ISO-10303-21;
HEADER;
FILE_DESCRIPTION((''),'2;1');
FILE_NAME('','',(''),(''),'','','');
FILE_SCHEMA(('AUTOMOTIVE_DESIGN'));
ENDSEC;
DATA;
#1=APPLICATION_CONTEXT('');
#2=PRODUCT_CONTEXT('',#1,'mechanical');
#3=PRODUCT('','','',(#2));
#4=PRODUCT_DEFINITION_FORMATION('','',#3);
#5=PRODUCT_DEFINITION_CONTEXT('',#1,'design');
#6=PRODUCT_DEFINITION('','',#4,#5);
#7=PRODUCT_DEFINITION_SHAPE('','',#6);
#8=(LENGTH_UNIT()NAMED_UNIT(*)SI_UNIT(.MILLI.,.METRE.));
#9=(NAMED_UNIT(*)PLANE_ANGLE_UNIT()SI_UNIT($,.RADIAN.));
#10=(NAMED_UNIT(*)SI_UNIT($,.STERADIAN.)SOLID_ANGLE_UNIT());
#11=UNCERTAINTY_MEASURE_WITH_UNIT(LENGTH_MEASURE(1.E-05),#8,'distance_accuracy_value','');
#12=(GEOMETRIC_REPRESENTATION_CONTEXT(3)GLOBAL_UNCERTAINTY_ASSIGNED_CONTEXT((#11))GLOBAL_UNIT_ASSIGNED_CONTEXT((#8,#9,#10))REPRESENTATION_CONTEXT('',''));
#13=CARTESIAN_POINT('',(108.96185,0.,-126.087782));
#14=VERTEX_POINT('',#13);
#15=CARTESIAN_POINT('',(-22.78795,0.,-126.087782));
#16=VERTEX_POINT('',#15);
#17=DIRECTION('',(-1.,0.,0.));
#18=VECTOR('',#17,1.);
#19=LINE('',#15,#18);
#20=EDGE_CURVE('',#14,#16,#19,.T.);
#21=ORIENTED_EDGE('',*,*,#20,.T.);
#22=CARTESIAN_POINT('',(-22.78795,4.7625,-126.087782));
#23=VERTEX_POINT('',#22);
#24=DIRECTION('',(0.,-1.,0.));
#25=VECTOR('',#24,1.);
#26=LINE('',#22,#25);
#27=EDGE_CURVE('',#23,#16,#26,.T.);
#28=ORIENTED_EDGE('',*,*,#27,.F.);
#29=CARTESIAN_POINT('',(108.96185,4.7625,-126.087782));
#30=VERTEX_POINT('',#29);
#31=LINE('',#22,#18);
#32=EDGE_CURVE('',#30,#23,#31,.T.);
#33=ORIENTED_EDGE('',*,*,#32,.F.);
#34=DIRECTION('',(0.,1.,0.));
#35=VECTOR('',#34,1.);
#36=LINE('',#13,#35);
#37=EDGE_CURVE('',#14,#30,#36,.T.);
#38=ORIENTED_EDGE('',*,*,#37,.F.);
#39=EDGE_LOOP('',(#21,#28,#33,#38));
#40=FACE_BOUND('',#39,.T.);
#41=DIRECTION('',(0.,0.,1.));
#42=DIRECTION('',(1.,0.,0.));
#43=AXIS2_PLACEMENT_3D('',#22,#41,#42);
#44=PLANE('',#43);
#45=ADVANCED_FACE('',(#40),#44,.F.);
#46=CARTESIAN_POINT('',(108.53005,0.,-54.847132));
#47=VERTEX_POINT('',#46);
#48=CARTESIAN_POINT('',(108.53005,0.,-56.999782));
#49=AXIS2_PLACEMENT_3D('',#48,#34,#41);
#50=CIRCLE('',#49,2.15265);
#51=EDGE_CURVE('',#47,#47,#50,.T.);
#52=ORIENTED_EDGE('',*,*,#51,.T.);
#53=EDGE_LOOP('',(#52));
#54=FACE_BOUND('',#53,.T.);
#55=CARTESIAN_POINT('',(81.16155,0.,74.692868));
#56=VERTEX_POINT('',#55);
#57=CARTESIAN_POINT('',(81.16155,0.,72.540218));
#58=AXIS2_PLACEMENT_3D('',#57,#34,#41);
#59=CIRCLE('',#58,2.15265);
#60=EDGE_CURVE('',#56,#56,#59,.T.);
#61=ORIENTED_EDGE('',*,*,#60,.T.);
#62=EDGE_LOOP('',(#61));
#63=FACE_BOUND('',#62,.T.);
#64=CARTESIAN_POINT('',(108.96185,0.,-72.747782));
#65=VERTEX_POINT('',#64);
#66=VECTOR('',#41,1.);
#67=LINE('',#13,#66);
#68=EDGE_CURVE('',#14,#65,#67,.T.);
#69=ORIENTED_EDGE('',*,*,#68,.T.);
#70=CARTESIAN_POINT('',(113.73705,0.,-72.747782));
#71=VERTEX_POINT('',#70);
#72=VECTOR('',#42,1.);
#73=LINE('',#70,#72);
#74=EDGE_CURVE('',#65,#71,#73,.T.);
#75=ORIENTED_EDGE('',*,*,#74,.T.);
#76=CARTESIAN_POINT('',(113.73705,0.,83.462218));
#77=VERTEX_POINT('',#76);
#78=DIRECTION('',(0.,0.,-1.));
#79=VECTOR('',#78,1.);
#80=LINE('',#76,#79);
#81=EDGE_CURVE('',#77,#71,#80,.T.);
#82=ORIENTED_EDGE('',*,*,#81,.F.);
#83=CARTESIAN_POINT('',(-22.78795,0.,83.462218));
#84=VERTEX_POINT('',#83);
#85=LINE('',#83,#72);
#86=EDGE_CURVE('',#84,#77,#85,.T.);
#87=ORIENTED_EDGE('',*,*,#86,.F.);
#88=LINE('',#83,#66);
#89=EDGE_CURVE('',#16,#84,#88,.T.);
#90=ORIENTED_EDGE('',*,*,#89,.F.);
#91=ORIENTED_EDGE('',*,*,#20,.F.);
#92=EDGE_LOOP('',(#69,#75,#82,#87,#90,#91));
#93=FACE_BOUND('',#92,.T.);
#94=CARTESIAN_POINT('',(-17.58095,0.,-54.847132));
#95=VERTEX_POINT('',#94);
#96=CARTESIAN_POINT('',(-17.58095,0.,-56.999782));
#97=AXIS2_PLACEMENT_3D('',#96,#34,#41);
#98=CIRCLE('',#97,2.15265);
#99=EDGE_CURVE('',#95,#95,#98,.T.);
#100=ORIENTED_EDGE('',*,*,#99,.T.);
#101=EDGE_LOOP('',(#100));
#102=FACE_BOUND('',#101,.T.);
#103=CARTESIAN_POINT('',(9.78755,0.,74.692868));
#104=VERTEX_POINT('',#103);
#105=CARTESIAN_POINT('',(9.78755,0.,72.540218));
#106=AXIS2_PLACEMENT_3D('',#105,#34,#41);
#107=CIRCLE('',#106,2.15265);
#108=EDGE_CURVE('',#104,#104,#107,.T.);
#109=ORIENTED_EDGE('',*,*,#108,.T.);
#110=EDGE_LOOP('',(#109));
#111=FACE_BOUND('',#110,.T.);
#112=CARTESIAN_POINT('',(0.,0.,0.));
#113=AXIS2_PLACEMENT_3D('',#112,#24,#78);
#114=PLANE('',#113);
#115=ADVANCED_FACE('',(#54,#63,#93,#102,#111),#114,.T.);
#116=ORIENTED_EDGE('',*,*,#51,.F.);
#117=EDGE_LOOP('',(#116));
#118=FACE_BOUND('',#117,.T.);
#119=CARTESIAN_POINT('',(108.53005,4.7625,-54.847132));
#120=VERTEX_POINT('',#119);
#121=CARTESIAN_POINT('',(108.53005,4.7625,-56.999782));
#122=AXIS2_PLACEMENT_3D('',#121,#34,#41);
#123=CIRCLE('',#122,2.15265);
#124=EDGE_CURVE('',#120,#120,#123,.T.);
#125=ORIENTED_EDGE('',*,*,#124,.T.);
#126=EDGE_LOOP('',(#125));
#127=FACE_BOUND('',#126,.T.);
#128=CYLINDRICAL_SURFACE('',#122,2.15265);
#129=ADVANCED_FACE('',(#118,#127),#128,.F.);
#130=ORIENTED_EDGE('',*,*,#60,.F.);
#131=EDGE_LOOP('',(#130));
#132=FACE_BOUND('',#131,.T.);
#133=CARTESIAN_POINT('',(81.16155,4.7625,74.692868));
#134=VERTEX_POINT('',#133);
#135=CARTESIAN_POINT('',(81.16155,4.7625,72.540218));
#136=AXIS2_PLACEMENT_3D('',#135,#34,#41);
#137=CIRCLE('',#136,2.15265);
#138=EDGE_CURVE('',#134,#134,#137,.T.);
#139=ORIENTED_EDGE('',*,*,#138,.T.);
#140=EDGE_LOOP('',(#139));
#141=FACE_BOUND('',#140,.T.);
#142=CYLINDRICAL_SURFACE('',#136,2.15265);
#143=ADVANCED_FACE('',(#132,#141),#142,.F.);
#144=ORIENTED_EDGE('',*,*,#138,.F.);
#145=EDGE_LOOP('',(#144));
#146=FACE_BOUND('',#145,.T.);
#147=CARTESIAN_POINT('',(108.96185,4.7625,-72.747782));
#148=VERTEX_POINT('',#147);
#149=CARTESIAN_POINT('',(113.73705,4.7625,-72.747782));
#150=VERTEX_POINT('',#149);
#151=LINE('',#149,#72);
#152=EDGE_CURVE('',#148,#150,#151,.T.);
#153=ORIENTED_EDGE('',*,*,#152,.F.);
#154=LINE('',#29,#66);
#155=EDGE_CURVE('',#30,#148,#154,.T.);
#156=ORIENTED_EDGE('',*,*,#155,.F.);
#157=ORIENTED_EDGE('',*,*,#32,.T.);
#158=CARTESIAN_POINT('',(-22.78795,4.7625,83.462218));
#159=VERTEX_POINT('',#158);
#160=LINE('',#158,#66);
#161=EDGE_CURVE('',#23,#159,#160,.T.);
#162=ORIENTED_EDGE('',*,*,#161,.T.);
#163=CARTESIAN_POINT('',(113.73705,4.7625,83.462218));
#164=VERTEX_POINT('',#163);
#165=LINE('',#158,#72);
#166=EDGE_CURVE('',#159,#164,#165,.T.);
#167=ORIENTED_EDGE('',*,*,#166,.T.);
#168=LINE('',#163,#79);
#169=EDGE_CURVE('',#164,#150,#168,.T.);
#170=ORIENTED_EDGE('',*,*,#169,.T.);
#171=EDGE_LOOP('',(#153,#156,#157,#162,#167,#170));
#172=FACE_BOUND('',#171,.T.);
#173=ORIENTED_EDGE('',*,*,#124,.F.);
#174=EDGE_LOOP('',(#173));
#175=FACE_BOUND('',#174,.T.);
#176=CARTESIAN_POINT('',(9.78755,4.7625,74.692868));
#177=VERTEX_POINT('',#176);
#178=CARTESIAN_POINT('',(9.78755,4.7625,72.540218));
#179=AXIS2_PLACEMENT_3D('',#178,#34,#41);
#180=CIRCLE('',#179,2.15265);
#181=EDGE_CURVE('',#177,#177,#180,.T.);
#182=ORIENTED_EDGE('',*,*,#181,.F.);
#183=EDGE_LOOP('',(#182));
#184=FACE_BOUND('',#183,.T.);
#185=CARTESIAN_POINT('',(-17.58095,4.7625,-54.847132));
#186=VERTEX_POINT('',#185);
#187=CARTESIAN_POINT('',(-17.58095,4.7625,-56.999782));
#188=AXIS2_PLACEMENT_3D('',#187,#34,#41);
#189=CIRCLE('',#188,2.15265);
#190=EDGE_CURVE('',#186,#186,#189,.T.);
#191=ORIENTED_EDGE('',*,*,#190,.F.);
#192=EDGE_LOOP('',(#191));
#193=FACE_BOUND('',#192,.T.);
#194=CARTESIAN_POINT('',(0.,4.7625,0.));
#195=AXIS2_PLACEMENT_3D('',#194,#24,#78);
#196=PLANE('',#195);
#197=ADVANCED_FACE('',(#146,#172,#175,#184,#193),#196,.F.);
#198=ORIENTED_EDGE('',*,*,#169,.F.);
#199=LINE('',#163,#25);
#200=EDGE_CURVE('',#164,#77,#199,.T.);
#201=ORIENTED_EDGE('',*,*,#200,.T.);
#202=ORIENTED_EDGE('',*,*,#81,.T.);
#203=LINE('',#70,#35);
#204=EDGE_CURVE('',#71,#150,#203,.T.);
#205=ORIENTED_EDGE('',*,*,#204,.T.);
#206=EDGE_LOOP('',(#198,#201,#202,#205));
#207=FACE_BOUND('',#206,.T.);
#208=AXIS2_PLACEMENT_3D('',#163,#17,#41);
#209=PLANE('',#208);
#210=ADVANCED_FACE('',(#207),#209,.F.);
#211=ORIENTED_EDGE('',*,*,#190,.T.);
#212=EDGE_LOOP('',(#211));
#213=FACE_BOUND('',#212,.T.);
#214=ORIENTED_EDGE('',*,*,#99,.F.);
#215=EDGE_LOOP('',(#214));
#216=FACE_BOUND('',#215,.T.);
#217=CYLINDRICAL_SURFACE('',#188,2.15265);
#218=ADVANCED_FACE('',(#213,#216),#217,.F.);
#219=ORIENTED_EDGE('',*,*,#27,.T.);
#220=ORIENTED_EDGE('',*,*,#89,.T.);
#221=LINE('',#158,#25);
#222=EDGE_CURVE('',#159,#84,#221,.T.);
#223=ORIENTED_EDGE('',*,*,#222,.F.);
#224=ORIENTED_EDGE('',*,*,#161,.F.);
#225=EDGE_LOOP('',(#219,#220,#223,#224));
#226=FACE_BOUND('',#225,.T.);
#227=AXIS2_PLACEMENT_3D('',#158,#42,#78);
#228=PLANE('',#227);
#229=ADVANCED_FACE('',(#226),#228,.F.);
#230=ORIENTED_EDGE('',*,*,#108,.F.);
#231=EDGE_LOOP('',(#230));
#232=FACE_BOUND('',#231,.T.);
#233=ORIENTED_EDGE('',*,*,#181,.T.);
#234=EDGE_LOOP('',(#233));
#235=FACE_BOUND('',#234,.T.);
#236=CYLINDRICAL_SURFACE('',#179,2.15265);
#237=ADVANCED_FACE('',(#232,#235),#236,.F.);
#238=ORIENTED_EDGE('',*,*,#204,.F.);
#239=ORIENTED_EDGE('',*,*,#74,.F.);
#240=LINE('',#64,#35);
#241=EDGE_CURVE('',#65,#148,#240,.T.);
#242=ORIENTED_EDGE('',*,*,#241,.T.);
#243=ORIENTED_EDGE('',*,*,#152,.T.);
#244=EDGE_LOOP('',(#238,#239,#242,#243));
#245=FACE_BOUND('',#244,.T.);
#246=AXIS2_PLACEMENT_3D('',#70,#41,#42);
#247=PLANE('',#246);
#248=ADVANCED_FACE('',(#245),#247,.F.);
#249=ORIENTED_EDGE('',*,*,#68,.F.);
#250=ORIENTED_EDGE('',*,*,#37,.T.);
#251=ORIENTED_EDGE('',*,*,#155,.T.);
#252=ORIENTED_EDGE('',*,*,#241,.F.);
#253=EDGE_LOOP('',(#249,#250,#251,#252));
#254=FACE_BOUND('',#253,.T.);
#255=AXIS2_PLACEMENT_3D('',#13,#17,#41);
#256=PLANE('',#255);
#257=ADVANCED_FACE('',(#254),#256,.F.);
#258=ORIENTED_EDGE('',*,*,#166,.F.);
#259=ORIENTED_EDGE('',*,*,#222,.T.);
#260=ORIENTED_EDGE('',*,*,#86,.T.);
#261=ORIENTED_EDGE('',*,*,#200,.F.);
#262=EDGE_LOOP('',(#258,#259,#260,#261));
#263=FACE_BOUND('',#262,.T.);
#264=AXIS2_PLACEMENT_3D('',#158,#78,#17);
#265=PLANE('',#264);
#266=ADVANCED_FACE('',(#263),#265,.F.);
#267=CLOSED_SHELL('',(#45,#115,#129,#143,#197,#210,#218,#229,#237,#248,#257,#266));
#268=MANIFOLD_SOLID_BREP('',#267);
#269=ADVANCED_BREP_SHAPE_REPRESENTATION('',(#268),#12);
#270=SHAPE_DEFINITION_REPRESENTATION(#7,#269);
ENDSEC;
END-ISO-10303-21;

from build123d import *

# Parameters (mm, degrees)
SKETCH1_W             = 136.525
SKETCH1_H             = 209.55
BOSS_EXTRUDE1_DEPTH   = 4.7625
SKETCH2_W             = 4.7752
SKETCH2_H             = 53.34
CUT_EXTRUDE1_DEPTH    = 170.873266436
F_8_CLEARANCE_HOLE1_D = 4.3053


with BuildPart() as part:
    # Sketch1 → Boss-Extrude1 (new body)
    with BuildSketch(Plane(origin=(0, 0, 0), x_dir=(1, 0, 0), z_dir=(0, 1, 0))):
        with Locations((45.474550145, 21.312781595)):
            Rectangle(SKETCH1_W, SKETCH1_H)
    extrude(amount=BOSS_EXTRUDE1_DEPTH)

    # Sketch2 → Cut-Extrude1 (cut, through all)
    with BuildSketch(Plane(origin=(0, 4.7625, 0), x_dir=(1, 0, 0), z_dir=(0, 1, 0))):
        with Locations((111.349450145, 99.417781595)):
            Rectangle(SKETCH2_W, SKETCH2_H)
    extrude(amount=-CUT_EXTRUDE1_DEPTH, mode=Mode.SUBTRACT)

    # #8 Clearance Hole1 (through all)
    with Locations(Plane(origin=(0, 4.7625, 0), x_dir=(1, 0, 0), z_dir=(0, 1, 0))):
        with Locations((81.161550145, -72.540218405), (9.787550145, -72.540218405), (-17.580949855, 56.999781595), (108.530050145, 56.999781595)):
            Hole(F_8_CLEARANCE_HOLE1_D / 2)


solid = part.part
